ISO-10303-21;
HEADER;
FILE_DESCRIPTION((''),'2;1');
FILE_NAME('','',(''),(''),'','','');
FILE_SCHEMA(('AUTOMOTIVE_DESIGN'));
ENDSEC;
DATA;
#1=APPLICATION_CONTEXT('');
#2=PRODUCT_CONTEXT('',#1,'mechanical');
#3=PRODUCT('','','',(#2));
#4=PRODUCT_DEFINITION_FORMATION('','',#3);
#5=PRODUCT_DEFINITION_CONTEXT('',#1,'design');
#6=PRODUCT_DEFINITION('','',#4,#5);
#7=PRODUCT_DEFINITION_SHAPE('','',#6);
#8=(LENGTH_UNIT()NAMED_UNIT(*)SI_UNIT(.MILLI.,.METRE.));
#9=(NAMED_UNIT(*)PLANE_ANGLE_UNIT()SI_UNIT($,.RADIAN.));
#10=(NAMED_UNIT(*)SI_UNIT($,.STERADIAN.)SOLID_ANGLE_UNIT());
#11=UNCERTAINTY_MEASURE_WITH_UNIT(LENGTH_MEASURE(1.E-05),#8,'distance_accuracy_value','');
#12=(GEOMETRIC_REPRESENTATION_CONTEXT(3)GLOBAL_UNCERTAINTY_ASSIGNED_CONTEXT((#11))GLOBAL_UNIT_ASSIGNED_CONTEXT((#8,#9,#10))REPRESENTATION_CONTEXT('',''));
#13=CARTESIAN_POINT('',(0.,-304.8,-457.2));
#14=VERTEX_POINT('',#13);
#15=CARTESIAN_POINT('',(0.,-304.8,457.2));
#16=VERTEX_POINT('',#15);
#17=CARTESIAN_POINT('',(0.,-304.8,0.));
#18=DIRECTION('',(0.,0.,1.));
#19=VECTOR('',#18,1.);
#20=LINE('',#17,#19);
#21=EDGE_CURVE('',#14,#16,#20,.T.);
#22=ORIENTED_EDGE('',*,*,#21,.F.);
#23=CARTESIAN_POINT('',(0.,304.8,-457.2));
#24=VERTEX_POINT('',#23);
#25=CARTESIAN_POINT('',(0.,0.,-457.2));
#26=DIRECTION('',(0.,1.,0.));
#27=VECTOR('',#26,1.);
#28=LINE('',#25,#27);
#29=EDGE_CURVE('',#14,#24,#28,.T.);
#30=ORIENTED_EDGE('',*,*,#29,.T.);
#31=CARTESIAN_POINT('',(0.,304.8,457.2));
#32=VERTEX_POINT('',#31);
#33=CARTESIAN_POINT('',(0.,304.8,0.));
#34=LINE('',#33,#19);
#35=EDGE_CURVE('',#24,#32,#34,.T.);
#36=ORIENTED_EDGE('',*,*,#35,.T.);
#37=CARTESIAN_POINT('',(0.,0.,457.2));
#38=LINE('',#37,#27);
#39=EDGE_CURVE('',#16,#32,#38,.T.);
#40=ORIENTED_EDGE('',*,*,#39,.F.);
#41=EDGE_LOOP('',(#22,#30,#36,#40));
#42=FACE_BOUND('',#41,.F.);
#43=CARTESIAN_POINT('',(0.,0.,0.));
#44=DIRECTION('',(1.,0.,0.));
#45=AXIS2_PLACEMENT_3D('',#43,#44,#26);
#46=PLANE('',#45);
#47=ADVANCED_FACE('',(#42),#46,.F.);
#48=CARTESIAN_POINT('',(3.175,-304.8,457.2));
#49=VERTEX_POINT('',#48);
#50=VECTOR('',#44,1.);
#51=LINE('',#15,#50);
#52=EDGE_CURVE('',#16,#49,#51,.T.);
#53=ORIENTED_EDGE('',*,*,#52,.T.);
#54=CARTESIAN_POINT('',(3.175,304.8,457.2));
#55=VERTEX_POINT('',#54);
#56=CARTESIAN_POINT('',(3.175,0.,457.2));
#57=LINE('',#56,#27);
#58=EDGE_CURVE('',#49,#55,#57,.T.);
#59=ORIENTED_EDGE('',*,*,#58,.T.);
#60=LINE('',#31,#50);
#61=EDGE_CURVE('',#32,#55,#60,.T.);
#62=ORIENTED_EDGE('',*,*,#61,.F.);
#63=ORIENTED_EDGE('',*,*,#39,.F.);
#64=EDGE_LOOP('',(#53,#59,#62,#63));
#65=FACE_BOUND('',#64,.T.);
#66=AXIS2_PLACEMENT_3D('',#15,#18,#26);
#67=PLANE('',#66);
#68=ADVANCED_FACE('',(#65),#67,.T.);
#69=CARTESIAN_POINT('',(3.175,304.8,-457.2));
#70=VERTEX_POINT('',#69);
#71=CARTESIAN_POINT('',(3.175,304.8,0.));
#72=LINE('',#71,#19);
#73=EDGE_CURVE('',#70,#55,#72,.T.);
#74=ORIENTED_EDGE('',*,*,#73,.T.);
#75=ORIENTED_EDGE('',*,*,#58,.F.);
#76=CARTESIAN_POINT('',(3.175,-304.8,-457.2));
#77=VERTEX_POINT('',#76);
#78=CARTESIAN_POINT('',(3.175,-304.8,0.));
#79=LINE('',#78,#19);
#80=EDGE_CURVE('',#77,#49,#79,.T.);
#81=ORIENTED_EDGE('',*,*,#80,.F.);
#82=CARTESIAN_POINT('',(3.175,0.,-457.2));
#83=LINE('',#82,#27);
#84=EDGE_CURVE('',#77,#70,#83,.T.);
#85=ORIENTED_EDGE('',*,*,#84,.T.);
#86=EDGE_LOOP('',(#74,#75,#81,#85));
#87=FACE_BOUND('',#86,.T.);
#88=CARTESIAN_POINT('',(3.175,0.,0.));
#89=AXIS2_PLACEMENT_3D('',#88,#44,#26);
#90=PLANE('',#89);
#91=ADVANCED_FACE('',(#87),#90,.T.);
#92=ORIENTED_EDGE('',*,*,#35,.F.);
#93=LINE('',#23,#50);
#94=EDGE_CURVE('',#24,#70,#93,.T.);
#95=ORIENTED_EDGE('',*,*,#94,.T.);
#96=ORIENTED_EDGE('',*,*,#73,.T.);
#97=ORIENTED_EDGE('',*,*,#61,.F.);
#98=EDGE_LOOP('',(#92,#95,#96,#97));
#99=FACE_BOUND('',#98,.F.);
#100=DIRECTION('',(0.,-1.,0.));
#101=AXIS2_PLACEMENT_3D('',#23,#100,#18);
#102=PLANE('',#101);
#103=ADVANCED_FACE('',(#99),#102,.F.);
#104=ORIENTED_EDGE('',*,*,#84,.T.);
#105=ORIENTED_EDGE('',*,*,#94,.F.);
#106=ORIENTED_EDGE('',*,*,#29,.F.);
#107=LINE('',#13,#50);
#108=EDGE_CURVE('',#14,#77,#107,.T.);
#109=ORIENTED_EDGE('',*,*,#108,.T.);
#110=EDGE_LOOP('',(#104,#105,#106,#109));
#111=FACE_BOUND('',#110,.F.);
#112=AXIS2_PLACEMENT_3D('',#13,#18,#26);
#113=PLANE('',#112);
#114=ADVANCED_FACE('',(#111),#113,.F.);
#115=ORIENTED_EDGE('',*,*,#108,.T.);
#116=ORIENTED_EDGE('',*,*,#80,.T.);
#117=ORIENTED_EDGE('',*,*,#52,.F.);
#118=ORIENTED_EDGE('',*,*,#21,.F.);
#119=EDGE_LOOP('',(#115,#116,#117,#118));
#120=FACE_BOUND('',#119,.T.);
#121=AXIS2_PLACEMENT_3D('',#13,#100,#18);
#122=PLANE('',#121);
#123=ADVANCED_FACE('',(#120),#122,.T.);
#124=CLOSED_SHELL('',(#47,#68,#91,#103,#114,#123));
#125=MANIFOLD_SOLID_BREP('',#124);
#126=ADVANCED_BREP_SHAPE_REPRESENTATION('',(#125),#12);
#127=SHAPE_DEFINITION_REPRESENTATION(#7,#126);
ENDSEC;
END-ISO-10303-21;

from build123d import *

# Parameters (mm, degrees)
SKETCH_W  = 609.6
SKETCH_H  = 914.4
PAD_DEPTH = 3.175


with BuildPart() as part:
    # Sketch → Pad (new body)
    with BuildSketch(Plane.YZ):
        Rectangle(SKETCH_W, SKETCH_H)
    extrude(amount=PAD_DEPTH)


solid = part.part
